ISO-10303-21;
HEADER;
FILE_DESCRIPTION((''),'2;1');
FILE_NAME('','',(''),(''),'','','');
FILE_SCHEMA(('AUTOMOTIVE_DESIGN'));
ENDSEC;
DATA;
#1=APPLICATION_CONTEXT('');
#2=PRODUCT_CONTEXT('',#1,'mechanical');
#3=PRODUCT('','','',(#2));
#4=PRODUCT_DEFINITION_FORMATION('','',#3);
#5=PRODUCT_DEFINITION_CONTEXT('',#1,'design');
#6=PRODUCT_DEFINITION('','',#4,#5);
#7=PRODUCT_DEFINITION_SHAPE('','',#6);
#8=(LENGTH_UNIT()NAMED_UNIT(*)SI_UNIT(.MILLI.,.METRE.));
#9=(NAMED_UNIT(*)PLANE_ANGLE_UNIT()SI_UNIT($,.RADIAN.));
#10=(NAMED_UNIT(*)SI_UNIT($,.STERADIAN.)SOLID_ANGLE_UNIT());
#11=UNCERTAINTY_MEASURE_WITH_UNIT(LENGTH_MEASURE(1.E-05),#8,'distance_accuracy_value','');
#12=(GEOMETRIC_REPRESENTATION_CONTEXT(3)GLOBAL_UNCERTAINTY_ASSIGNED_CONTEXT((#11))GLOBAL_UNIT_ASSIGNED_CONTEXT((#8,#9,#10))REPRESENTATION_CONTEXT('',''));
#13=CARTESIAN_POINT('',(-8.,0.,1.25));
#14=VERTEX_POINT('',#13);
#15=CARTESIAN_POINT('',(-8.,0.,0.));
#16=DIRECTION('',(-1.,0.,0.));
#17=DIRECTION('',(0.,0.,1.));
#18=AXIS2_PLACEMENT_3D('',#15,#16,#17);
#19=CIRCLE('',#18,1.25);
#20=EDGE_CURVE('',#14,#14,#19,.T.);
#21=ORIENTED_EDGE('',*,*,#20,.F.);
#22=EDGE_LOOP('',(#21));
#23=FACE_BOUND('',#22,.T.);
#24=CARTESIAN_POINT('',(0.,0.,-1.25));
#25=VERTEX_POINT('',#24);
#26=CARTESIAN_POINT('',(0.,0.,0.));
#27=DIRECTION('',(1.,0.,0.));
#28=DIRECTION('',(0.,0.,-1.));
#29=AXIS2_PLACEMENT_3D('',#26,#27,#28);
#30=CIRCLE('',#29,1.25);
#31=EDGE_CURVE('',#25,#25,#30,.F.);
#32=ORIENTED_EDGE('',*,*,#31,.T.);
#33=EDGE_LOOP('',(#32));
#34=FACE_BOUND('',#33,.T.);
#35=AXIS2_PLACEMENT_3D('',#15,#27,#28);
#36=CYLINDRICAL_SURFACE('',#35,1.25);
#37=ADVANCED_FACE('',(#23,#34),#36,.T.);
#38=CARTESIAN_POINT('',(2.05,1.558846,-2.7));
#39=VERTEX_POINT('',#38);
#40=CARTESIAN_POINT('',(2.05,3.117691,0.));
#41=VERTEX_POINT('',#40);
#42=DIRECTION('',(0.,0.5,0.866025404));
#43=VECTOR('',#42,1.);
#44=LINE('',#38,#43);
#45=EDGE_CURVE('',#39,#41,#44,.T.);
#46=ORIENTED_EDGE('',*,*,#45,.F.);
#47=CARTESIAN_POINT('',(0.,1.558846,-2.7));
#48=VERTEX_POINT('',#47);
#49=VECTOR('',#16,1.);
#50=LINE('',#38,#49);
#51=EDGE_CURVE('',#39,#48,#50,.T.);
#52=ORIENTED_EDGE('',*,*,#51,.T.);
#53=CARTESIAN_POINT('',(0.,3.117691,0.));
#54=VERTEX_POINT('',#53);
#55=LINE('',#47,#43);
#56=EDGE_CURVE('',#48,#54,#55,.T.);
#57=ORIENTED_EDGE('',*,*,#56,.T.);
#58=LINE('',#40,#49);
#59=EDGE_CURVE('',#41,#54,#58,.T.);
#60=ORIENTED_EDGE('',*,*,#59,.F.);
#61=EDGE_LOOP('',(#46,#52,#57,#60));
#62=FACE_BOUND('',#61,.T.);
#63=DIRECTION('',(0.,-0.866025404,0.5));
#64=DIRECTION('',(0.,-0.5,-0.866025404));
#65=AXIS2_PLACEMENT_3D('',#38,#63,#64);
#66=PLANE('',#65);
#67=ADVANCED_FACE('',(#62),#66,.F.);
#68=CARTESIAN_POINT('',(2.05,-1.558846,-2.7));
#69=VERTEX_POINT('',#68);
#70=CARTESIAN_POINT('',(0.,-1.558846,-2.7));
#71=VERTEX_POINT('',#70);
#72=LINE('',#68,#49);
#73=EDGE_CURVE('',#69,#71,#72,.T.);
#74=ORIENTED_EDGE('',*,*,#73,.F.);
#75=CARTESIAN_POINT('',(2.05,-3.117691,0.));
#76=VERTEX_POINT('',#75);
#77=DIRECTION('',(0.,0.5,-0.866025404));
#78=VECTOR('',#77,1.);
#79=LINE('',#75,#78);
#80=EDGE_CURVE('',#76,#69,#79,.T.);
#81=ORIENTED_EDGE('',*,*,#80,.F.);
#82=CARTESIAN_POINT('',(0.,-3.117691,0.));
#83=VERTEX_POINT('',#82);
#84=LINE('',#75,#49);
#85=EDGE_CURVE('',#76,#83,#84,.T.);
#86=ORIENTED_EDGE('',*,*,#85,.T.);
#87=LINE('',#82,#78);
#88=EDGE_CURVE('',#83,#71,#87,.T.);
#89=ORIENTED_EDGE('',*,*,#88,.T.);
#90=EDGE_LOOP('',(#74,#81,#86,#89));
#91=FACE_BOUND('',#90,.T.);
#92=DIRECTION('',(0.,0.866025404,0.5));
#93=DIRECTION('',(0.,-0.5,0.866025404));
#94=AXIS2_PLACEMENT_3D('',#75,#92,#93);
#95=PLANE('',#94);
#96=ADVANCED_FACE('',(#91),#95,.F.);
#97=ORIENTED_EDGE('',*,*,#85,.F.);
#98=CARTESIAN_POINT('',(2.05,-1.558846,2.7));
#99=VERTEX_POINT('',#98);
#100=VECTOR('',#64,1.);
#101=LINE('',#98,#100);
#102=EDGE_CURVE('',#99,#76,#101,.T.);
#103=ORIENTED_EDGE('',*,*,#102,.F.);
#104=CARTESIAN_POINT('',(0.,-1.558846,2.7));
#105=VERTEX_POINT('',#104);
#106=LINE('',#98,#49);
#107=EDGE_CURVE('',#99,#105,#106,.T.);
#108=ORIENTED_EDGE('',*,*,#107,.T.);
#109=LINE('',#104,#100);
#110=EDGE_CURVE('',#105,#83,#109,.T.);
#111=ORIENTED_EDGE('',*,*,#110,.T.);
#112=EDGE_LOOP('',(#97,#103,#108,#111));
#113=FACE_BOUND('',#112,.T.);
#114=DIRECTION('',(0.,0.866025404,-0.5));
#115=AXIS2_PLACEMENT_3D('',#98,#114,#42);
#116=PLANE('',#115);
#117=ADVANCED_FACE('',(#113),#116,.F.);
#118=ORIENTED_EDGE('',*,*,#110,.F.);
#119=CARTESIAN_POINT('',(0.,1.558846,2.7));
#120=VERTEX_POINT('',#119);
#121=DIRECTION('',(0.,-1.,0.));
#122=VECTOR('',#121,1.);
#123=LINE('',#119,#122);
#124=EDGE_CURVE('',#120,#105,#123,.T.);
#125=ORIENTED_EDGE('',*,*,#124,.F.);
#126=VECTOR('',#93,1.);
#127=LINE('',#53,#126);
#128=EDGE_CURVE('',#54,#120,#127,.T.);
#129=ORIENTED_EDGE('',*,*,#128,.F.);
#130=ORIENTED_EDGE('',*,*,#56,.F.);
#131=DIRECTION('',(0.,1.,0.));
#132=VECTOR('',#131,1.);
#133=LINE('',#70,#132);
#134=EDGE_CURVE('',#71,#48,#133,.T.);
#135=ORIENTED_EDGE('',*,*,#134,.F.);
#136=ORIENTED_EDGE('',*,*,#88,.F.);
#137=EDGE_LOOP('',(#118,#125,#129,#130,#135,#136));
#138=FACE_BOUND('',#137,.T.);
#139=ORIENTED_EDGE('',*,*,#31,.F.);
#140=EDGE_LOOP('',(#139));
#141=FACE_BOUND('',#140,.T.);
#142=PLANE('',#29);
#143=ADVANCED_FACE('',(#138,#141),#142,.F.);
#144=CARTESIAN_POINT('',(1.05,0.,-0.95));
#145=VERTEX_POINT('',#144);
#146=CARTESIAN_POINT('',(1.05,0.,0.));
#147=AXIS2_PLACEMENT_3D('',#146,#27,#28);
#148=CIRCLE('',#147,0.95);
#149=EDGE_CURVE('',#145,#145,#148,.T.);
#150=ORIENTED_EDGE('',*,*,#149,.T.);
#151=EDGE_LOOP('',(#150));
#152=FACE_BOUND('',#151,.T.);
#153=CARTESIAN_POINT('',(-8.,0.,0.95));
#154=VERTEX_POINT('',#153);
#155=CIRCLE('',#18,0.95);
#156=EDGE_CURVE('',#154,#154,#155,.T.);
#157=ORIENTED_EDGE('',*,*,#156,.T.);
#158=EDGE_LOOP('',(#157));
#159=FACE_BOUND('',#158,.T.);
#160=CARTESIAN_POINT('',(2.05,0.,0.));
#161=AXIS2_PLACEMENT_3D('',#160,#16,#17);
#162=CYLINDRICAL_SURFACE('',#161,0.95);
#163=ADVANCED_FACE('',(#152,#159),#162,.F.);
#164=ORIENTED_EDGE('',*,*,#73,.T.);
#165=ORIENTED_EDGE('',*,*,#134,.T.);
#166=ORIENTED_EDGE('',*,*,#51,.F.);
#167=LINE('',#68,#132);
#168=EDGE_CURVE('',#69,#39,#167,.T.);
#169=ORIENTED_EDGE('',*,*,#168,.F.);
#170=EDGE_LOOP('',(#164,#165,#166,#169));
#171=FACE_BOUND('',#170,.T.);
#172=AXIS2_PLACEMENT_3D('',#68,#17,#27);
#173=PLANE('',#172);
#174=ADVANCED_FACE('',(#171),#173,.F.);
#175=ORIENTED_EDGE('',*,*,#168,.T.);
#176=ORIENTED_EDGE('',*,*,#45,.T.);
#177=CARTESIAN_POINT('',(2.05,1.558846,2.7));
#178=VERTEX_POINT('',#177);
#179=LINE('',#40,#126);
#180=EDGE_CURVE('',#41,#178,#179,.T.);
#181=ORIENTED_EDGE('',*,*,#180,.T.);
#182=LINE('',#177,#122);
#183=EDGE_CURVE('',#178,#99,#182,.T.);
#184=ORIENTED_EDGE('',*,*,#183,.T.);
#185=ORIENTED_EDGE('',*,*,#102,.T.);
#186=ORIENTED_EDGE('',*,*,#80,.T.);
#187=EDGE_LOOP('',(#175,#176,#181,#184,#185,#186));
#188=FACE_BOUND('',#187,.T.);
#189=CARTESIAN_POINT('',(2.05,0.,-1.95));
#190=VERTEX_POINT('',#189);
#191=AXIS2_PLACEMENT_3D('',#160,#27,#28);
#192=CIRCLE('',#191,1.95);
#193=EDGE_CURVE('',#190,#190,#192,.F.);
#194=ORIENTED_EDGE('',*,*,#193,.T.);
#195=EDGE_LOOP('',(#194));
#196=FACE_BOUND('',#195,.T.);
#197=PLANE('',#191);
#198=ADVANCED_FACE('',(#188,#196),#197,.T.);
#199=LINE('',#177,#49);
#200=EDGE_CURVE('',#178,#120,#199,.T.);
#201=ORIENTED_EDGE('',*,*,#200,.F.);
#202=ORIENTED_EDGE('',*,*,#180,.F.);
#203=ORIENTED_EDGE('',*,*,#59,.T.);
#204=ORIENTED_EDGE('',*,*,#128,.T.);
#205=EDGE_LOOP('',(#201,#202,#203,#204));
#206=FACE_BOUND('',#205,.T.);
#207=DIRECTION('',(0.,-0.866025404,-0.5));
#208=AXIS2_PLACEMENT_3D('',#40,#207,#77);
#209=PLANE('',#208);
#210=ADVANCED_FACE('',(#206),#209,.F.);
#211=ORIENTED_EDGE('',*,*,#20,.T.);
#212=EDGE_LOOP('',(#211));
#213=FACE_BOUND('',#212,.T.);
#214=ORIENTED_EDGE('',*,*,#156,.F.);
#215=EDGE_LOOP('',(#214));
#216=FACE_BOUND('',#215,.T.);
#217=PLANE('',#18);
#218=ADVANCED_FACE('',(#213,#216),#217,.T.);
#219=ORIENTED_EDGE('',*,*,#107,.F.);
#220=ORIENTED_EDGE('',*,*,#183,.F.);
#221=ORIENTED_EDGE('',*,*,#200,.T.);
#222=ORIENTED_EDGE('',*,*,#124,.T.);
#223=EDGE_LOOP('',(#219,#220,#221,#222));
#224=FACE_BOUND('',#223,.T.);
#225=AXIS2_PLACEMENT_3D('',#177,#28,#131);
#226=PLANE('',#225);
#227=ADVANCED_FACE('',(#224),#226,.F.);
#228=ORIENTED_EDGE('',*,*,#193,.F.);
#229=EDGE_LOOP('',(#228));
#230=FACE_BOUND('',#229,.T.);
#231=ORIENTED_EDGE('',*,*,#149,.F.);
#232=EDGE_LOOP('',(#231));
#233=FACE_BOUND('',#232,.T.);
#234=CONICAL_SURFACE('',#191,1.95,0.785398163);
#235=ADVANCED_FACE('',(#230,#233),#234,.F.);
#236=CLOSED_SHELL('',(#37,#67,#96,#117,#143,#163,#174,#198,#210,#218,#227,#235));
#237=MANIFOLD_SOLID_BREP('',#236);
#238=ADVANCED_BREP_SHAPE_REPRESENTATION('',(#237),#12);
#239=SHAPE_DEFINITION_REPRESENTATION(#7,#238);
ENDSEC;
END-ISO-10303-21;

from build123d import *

# Parameters (mm, degrees)
BOSS_EXTRUDE1_DEPTH = 2.05
SKETCH2_R           = 1.25
BOSS_EXTRUDE2_DEPTH = 8
SKETCH3_R           = 0.95
CUT_EXTRUDE1_DEPTH  = 11.863355835
CHAMFER1_SIZE       = 1


with BuildPart() as part:
    # Sketch1 → Boss-Extrude1 (new body)
    with BuildSketch(Plane(origin=(0, 0, 0), x_dir=(0, 0, -1), z_dir=(1, 0, 0))):
        Polygon((0, -3.117691454), (2.7, -1.558845727), (2.7, 1.558845727), (0, 3.117691454), (-2.7, 1.558845727), (-2.7, -1.558845727), align=None)
    extrude(amount=BOSS_EXTRUDE1_DEPTH)

    # Sketch2 → Boss-Extrude2 (add)
    with BuildSketch(Plane.ZY):
        with Locations(Location((0, 0, 0), (0, 0, 180))):
            Circle(SKETCH2_R)
    extrude(amount=BOSS_EXTRUDE2_DEPTH)

    # Sketch3 → Cut-Extrude1 (cut, through all)
    with BuildSketch(Plane.ZY.offset(8)):
        Circle(SKETCH3_R)
    extrude(amount=-CUT_EXTRUDE1_DEPTH, mode=Mode.SUBTRACT)

    # Chamfer1
    chamfer1_edges = [part.edges().sort_by_distance(p)[0] for p in [
        (2.05, 0, -0.95),
    ]]
    chamfer(chamfer1_edges, length=CHAMFER1_SIZE)


solid = part.part
